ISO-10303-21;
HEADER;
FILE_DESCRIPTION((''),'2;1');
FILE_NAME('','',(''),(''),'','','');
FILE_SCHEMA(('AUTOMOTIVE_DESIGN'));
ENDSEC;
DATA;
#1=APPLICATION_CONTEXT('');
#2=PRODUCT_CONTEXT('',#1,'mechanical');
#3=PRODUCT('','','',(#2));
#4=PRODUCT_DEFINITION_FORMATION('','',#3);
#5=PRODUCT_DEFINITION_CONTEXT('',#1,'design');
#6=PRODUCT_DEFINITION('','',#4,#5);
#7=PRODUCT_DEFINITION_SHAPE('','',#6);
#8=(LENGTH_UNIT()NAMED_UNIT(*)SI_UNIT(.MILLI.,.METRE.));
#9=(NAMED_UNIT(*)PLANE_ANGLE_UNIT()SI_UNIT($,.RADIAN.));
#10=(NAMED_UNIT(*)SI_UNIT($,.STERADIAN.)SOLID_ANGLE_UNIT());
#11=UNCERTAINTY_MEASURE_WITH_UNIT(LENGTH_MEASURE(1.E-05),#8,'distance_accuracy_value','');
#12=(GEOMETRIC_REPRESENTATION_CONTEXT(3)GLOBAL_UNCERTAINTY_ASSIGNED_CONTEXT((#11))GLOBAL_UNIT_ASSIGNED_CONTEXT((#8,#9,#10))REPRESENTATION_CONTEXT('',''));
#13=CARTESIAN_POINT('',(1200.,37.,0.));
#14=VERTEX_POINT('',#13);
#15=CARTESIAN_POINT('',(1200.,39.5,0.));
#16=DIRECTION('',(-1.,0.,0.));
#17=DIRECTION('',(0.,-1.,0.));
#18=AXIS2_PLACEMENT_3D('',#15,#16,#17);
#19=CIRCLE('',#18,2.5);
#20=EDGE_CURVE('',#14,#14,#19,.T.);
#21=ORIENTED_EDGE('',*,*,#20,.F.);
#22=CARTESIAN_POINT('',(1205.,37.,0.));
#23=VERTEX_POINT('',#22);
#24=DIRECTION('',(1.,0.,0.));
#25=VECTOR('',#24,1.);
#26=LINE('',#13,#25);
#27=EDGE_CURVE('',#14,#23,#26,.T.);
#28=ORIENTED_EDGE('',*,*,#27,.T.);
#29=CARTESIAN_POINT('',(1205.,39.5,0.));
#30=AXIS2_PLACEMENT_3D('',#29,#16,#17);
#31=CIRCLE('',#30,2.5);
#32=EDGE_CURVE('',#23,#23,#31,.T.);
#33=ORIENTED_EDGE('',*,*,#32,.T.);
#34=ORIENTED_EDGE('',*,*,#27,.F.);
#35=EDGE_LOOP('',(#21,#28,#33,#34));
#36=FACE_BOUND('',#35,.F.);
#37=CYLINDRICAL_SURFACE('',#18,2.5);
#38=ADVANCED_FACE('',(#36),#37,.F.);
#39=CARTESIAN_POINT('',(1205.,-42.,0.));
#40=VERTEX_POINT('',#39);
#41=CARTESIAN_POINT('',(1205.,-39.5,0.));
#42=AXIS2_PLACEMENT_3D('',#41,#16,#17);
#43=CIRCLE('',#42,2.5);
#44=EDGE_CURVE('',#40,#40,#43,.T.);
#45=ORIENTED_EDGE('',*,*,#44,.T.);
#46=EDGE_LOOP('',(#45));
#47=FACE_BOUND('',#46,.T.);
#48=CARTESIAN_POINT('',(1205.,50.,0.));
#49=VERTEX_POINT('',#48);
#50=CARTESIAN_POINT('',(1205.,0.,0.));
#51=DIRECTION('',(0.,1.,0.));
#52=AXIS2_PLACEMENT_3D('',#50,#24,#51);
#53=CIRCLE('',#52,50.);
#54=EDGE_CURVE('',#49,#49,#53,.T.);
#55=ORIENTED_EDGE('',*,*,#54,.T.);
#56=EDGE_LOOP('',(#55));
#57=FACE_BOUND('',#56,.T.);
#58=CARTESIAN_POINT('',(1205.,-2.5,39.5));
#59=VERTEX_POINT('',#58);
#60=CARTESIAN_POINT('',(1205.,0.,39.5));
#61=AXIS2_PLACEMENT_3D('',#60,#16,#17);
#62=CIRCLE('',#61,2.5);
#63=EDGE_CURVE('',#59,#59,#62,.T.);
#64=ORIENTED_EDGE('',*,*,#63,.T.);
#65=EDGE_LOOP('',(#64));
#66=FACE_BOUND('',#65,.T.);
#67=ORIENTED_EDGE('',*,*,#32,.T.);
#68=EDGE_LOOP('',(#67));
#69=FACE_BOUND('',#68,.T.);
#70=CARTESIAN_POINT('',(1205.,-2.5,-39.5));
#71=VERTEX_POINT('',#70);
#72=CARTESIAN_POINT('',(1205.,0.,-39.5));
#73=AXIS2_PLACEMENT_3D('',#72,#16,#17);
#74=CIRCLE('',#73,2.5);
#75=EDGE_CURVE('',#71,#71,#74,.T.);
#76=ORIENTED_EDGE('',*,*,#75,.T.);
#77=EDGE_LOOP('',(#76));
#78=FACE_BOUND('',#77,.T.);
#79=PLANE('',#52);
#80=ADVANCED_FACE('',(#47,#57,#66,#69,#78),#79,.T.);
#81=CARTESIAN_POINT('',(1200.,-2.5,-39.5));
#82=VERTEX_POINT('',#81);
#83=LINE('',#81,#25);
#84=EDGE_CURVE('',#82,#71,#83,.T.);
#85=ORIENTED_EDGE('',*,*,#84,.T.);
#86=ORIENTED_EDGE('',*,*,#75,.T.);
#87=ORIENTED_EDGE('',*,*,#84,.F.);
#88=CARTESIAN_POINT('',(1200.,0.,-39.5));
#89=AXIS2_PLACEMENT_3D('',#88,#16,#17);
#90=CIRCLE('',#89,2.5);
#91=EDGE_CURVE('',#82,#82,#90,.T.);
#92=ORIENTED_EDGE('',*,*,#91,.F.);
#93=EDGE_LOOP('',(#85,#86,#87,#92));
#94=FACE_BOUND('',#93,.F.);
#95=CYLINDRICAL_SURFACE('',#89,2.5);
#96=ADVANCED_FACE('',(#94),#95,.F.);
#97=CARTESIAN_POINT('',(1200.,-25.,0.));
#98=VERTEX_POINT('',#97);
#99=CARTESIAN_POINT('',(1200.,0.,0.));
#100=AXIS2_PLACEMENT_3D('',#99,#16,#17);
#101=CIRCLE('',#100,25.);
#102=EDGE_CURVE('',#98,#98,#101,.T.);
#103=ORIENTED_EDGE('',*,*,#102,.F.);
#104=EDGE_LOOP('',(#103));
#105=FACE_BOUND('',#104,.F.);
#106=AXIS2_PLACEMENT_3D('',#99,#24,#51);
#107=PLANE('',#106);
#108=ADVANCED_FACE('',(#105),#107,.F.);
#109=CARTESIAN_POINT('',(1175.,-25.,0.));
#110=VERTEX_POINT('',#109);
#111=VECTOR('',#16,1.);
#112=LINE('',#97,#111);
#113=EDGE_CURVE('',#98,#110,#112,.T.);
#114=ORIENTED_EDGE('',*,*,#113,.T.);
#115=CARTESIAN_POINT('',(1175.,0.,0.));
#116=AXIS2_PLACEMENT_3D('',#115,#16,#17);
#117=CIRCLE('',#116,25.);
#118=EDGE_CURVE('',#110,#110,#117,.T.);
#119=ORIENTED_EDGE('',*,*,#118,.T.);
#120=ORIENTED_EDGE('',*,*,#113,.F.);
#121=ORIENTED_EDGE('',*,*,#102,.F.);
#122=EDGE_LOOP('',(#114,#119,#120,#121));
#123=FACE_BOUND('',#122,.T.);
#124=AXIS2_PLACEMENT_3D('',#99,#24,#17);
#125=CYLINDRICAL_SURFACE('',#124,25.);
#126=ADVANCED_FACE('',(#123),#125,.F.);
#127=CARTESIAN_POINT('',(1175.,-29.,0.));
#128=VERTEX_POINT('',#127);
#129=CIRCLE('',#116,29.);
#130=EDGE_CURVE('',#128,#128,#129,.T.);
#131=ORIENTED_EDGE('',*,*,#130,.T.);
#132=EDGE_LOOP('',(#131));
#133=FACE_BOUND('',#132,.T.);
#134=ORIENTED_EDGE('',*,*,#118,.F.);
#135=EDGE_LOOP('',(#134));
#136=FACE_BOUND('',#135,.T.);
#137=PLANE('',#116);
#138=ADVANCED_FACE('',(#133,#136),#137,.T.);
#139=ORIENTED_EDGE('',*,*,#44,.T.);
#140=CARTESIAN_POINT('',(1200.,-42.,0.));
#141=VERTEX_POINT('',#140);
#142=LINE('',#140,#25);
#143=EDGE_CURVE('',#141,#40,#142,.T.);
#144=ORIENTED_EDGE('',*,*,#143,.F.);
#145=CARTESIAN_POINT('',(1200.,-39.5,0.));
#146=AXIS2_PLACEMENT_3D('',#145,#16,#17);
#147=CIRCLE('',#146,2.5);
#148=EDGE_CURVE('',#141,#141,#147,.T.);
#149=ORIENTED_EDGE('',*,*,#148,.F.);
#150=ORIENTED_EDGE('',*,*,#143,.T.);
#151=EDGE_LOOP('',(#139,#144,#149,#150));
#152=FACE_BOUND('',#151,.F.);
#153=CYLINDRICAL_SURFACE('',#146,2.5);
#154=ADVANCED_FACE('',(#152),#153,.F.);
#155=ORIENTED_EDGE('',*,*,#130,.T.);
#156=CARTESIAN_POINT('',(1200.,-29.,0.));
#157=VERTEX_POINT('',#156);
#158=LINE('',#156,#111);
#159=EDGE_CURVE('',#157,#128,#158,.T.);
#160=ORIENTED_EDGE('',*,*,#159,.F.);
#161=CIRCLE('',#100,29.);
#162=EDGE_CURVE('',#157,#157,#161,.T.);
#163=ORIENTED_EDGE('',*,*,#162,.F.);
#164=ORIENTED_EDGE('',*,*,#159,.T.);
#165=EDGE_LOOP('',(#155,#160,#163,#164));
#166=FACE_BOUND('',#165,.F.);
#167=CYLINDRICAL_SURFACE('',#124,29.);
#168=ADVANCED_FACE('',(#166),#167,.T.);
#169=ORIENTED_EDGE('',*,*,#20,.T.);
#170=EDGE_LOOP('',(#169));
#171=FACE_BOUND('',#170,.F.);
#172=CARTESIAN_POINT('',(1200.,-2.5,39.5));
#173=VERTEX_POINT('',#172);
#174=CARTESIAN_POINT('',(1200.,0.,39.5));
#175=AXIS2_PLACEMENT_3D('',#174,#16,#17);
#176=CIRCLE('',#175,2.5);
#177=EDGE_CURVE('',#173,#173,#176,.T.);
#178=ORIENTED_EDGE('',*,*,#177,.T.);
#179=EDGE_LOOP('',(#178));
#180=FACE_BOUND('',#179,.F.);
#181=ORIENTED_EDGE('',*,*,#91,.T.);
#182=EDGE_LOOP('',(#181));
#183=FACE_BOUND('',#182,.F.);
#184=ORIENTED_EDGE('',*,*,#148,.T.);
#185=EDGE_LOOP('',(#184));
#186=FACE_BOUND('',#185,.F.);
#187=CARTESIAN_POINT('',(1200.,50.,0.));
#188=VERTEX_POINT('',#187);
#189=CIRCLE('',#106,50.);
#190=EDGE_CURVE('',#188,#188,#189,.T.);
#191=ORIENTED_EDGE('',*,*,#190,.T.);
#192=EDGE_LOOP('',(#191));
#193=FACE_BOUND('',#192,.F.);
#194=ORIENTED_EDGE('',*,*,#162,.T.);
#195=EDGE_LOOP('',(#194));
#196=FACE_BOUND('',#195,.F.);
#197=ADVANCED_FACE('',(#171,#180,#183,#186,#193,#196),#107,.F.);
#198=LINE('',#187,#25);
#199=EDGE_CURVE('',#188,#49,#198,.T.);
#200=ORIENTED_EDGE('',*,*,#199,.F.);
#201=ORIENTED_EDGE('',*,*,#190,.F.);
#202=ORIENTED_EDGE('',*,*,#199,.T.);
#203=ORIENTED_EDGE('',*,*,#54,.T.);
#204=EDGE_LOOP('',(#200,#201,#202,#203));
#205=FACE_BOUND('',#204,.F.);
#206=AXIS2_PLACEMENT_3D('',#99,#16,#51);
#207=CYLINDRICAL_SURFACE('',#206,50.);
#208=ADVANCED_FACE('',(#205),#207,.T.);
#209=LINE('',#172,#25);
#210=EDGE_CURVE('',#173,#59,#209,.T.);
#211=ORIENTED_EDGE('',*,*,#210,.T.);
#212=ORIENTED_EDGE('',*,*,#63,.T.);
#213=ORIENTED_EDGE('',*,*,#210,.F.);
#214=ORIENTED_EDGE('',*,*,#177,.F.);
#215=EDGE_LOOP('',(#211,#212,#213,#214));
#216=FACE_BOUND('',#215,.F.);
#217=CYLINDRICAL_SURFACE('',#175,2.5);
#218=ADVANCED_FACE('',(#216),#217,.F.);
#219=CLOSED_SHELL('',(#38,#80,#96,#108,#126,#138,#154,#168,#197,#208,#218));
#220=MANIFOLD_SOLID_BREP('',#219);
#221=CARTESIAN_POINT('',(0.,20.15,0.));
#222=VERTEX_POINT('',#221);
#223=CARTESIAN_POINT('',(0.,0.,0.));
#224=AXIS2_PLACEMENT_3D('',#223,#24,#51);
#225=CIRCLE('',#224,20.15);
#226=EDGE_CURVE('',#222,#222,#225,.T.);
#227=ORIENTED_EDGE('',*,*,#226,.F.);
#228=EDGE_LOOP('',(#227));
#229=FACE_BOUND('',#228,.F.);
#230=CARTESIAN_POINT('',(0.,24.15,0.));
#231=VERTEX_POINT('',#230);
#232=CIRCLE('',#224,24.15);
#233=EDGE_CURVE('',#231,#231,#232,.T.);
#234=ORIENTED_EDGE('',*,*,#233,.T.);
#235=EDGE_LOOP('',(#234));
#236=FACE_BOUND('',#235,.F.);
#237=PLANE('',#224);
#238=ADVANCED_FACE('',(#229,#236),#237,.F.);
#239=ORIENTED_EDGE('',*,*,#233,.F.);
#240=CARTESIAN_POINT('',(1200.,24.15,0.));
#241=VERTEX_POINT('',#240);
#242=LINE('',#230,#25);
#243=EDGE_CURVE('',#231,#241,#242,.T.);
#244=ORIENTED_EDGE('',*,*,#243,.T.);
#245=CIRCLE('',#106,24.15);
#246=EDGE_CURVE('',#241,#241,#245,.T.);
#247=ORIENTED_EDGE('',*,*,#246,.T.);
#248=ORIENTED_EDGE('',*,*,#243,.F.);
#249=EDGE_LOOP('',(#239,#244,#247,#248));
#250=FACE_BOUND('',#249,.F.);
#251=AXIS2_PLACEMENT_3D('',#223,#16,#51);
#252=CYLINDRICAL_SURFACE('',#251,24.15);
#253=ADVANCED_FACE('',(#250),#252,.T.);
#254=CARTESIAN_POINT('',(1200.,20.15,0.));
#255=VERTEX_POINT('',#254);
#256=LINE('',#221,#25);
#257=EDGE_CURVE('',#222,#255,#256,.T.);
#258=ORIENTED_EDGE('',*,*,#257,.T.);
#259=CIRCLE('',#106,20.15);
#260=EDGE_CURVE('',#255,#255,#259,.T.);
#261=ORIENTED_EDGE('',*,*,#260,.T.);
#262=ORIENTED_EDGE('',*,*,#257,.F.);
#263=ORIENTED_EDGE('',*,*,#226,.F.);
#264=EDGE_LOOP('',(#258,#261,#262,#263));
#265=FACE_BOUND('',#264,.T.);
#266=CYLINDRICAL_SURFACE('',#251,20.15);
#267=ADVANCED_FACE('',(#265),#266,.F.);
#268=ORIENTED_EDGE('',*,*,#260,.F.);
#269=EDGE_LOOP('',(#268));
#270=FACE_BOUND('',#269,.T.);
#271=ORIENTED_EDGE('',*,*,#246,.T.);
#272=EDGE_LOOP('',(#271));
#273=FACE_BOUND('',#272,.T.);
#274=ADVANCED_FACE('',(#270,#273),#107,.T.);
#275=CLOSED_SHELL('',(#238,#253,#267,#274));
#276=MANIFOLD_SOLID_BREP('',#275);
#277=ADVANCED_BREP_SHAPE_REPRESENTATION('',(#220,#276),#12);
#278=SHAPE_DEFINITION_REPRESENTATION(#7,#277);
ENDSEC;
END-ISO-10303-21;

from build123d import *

# Parameters (mm, degrees)
F0_R     = 24.15
F0_R_2   = 20.15
F1_DEPTH = 1200
F2_R     = 50
F3_DEPTH = 5
F4_R     = 29
F4_R_2   = 25
F5_DEPTH = 25
F6_R     = 2.5
F7_DEPTH = 5


with BuildPart() as f1:
    # F0 (on Right) → F1 (new body)
    with BuildSketch(Plane.YZ):
        Circle(F0_R)
        Circle(F0_R_2, mode=Mode.SUBTRACT)
    extrude(amount=F1_DEPTH)


with BuildPart() as f3:
    # F2 (on face) → F3 (new body)
    with BuildSketch(Plane.YZ.offset(1200)):
        Circle(F2_R)
    extrude(amount=F3_DEPTH)

    # F4 (on face) → F5 (join)
    with BuildSketch(Plane(origin=(1200, 0, 0), x_dir=(0, -1, 0), z_dir=(-1, 0, 0))):
        Circle(F4_R)
        Circle(F4_R_2, mode=Mode.SUBTRACT)
    extrude(amount=F5_DEPTH)

    # F6 (on face) → F7 (cut, through all)
    with BuildSketch(Plane(origin=(1200, 0, 0), x_dir=(0, -1, 0), z_dir=(-1, 0, 0))):
        with Locations((-39.5, 0)):
            Circle(F6_R)
        with Locations((39.5, 0)):
            Circle(F6_R)
        with Locations((0, 39.5)):
            Circle(F6_R)
        with Locations((0, -39.5)):
            Circle(F6_R)
    extrude(amount=-F7_DEPTH, mode=Mode.SUBTRACT)


solid = Compound([f1.part, f3.part])
